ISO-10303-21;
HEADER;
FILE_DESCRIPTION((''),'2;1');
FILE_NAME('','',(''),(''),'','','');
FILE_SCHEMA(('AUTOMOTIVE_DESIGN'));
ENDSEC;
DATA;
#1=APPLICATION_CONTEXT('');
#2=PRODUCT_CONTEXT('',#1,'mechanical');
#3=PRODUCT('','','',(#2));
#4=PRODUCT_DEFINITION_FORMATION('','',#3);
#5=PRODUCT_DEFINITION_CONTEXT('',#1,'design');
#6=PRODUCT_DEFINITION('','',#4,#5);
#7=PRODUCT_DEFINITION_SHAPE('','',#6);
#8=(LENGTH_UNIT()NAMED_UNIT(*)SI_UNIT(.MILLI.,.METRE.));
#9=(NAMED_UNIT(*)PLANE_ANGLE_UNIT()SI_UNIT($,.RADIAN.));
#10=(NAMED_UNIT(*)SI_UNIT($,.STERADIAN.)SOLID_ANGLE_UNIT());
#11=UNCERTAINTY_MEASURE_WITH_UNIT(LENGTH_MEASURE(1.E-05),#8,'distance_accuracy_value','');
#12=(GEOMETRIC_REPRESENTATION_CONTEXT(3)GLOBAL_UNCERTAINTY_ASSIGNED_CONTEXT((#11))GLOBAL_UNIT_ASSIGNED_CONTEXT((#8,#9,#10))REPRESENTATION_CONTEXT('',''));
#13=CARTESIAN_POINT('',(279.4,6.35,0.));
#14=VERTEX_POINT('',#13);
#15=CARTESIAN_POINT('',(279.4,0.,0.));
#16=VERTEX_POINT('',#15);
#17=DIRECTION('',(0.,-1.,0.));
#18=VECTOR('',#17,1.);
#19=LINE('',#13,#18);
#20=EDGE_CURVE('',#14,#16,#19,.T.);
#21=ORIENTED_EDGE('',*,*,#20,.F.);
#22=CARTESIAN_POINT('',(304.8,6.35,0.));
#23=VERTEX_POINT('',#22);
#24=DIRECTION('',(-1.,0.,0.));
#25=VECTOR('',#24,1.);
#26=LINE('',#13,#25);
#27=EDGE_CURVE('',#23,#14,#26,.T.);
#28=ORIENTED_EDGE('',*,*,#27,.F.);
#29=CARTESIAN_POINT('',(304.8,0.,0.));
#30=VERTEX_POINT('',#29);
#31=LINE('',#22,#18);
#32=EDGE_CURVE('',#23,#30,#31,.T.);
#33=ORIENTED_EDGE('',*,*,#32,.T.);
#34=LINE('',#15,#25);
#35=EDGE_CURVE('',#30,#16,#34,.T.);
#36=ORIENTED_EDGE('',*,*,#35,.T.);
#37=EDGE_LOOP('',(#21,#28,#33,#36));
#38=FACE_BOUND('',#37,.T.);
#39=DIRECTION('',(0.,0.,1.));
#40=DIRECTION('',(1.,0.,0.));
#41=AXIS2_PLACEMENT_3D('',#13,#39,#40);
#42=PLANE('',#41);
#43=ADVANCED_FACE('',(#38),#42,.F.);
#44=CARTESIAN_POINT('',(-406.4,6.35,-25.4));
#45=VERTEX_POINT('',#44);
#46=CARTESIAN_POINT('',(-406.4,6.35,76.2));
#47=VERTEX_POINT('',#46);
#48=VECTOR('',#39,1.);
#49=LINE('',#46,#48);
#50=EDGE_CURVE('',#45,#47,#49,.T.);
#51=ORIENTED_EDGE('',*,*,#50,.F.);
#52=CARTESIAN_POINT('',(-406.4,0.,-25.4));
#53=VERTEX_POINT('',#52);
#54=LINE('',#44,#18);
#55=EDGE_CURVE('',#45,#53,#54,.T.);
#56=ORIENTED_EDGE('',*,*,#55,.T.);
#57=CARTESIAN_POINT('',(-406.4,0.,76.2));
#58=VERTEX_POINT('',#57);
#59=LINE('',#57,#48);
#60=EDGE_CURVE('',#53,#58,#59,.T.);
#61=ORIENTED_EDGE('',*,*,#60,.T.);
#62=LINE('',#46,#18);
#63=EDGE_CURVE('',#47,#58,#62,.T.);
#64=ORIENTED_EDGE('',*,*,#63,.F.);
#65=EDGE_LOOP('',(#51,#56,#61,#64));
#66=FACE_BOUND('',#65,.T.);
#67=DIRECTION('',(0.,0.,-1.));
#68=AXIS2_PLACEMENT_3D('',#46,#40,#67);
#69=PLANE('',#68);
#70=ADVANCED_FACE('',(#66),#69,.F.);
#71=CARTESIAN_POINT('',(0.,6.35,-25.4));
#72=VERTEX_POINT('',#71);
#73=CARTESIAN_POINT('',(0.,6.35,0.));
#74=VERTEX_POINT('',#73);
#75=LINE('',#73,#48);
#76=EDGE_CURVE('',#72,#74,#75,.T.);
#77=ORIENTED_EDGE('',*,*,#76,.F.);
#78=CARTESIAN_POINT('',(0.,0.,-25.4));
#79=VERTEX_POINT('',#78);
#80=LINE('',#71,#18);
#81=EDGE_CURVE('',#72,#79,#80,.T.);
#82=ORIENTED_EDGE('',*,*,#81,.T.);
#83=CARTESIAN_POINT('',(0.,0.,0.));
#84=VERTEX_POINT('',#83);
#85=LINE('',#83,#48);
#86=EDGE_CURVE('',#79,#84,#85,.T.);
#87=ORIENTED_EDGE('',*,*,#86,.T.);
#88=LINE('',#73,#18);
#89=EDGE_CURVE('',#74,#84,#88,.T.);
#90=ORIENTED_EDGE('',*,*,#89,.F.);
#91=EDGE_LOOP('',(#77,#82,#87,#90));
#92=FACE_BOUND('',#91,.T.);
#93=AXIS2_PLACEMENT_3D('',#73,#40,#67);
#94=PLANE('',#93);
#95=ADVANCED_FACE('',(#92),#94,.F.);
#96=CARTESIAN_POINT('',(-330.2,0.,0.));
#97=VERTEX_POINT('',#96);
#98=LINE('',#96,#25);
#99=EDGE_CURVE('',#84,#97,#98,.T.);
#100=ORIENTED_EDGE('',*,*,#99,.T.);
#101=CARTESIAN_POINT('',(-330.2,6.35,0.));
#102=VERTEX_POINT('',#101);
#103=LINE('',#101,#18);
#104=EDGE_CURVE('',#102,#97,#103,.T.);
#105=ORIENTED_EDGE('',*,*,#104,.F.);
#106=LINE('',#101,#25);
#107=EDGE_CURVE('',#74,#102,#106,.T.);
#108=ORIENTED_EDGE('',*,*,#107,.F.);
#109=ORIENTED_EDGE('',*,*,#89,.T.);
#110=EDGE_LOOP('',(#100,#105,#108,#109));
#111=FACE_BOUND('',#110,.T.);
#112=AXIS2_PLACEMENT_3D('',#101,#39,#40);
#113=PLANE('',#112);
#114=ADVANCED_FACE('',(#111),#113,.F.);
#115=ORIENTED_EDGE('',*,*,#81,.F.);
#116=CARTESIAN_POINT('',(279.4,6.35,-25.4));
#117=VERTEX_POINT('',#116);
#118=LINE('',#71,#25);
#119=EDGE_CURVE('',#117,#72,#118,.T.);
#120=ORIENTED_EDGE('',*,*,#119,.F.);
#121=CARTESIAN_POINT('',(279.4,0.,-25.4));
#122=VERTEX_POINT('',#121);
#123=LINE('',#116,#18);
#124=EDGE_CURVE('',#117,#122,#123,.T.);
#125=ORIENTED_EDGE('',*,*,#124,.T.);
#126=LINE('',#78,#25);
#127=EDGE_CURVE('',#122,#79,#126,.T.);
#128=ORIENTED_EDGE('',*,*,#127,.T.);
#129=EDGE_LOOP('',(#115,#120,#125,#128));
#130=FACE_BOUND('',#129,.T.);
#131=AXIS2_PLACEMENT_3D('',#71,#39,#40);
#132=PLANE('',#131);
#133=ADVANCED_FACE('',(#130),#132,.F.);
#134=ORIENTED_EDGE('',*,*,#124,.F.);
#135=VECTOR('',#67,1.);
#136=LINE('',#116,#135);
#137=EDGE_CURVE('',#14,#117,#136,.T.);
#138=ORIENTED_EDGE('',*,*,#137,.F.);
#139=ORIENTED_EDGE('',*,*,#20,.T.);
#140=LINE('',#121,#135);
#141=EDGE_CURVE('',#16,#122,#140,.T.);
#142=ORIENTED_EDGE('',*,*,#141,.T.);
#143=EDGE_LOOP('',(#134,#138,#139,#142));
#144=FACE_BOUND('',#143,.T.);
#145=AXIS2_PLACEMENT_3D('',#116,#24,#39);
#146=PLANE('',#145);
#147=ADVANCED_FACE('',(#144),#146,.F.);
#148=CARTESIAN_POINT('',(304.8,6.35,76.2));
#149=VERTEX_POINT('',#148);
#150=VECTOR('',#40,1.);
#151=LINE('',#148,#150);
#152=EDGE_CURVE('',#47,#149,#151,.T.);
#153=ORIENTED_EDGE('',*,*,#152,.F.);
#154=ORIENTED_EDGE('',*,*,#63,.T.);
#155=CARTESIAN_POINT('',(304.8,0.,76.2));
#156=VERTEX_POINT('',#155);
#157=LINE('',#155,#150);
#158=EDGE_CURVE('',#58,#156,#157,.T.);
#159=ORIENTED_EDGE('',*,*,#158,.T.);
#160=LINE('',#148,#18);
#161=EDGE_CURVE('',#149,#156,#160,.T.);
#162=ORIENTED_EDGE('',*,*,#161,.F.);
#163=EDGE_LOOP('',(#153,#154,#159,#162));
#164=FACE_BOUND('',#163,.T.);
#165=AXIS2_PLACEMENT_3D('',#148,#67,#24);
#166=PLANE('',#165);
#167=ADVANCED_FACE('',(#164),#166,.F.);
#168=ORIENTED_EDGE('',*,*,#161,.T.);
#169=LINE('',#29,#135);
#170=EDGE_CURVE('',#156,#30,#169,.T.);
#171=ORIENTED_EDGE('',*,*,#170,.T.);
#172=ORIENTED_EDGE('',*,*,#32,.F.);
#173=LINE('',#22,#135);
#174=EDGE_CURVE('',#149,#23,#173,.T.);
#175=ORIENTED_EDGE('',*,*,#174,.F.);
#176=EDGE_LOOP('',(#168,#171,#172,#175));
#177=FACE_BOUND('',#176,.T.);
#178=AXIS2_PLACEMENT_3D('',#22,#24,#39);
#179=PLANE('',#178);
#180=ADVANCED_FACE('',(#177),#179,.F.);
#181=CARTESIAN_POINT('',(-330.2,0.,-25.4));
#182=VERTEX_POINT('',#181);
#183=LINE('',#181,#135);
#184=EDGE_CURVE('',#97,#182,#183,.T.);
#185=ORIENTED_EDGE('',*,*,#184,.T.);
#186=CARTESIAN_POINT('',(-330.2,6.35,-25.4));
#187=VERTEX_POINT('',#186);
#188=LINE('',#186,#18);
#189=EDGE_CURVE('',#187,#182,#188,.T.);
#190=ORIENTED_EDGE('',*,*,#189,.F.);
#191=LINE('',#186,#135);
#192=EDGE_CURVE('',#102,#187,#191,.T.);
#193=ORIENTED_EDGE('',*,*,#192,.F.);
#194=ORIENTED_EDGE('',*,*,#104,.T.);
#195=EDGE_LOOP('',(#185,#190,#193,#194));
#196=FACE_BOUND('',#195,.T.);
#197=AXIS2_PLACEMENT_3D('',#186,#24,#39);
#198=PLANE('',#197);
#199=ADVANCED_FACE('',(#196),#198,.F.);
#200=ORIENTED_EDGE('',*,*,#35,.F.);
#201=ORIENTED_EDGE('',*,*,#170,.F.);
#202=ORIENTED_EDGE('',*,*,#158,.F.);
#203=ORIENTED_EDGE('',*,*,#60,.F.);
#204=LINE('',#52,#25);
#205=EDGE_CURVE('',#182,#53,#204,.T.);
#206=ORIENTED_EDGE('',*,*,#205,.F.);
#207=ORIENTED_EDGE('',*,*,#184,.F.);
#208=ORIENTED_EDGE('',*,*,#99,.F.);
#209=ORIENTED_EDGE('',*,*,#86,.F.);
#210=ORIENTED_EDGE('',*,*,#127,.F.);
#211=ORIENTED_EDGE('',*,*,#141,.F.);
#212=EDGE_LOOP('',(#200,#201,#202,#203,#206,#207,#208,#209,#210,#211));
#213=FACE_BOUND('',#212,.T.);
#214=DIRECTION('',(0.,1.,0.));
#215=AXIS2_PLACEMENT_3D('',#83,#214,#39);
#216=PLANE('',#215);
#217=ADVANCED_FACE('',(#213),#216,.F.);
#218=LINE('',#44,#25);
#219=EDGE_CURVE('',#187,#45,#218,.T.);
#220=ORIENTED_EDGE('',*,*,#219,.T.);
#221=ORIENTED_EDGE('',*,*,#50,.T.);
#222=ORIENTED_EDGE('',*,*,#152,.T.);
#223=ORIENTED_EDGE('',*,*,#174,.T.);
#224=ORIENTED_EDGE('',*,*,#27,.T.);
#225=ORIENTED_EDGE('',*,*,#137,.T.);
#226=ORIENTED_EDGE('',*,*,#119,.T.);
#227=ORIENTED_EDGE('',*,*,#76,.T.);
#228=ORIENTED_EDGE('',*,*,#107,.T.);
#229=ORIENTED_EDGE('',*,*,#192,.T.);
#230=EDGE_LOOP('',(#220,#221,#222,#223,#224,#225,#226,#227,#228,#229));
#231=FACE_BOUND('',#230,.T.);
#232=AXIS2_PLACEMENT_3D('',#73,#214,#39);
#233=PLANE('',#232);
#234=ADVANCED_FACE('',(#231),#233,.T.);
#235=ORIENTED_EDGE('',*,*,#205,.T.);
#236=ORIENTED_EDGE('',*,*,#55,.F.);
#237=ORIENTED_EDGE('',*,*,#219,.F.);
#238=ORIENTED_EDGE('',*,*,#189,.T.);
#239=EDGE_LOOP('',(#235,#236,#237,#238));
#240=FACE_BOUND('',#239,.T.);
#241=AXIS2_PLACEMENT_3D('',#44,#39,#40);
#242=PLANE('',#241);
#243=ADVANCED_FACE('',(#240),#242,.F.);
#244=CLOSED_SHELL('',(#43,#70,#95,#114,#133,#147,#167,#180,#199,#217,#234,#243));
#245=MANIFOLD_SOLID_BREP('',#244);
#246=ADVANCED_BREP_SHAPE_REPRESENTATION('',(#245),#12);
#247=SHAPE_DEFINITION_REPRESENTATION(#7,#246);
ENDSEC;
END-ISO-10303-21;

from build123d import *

# Parameters (mm, degrees)
BOSS_EXTRUDE1_DEPTH = 6.35


with BuildPart() as part:
    # Sketch1 → Boss-Extrude1 (new body)
    with BuildSketch(Plane(origin=(0, 0, 0), x_dir=(1, 0, 0), z_dir=(0, 1, 0))):
        Polygon((0, 0), (0, 25.4), (279.4, 25.4), (279.4, 0), (304.8, 0), (304.8, -76.2), (-406.4, -76.2), (-406.4, 25.4), (-330.2, 25.4), (-330.2, 0), align=None)
    extrude(amount=BOSS_EXTRUDE1_DEPTH)


solid = part.part
